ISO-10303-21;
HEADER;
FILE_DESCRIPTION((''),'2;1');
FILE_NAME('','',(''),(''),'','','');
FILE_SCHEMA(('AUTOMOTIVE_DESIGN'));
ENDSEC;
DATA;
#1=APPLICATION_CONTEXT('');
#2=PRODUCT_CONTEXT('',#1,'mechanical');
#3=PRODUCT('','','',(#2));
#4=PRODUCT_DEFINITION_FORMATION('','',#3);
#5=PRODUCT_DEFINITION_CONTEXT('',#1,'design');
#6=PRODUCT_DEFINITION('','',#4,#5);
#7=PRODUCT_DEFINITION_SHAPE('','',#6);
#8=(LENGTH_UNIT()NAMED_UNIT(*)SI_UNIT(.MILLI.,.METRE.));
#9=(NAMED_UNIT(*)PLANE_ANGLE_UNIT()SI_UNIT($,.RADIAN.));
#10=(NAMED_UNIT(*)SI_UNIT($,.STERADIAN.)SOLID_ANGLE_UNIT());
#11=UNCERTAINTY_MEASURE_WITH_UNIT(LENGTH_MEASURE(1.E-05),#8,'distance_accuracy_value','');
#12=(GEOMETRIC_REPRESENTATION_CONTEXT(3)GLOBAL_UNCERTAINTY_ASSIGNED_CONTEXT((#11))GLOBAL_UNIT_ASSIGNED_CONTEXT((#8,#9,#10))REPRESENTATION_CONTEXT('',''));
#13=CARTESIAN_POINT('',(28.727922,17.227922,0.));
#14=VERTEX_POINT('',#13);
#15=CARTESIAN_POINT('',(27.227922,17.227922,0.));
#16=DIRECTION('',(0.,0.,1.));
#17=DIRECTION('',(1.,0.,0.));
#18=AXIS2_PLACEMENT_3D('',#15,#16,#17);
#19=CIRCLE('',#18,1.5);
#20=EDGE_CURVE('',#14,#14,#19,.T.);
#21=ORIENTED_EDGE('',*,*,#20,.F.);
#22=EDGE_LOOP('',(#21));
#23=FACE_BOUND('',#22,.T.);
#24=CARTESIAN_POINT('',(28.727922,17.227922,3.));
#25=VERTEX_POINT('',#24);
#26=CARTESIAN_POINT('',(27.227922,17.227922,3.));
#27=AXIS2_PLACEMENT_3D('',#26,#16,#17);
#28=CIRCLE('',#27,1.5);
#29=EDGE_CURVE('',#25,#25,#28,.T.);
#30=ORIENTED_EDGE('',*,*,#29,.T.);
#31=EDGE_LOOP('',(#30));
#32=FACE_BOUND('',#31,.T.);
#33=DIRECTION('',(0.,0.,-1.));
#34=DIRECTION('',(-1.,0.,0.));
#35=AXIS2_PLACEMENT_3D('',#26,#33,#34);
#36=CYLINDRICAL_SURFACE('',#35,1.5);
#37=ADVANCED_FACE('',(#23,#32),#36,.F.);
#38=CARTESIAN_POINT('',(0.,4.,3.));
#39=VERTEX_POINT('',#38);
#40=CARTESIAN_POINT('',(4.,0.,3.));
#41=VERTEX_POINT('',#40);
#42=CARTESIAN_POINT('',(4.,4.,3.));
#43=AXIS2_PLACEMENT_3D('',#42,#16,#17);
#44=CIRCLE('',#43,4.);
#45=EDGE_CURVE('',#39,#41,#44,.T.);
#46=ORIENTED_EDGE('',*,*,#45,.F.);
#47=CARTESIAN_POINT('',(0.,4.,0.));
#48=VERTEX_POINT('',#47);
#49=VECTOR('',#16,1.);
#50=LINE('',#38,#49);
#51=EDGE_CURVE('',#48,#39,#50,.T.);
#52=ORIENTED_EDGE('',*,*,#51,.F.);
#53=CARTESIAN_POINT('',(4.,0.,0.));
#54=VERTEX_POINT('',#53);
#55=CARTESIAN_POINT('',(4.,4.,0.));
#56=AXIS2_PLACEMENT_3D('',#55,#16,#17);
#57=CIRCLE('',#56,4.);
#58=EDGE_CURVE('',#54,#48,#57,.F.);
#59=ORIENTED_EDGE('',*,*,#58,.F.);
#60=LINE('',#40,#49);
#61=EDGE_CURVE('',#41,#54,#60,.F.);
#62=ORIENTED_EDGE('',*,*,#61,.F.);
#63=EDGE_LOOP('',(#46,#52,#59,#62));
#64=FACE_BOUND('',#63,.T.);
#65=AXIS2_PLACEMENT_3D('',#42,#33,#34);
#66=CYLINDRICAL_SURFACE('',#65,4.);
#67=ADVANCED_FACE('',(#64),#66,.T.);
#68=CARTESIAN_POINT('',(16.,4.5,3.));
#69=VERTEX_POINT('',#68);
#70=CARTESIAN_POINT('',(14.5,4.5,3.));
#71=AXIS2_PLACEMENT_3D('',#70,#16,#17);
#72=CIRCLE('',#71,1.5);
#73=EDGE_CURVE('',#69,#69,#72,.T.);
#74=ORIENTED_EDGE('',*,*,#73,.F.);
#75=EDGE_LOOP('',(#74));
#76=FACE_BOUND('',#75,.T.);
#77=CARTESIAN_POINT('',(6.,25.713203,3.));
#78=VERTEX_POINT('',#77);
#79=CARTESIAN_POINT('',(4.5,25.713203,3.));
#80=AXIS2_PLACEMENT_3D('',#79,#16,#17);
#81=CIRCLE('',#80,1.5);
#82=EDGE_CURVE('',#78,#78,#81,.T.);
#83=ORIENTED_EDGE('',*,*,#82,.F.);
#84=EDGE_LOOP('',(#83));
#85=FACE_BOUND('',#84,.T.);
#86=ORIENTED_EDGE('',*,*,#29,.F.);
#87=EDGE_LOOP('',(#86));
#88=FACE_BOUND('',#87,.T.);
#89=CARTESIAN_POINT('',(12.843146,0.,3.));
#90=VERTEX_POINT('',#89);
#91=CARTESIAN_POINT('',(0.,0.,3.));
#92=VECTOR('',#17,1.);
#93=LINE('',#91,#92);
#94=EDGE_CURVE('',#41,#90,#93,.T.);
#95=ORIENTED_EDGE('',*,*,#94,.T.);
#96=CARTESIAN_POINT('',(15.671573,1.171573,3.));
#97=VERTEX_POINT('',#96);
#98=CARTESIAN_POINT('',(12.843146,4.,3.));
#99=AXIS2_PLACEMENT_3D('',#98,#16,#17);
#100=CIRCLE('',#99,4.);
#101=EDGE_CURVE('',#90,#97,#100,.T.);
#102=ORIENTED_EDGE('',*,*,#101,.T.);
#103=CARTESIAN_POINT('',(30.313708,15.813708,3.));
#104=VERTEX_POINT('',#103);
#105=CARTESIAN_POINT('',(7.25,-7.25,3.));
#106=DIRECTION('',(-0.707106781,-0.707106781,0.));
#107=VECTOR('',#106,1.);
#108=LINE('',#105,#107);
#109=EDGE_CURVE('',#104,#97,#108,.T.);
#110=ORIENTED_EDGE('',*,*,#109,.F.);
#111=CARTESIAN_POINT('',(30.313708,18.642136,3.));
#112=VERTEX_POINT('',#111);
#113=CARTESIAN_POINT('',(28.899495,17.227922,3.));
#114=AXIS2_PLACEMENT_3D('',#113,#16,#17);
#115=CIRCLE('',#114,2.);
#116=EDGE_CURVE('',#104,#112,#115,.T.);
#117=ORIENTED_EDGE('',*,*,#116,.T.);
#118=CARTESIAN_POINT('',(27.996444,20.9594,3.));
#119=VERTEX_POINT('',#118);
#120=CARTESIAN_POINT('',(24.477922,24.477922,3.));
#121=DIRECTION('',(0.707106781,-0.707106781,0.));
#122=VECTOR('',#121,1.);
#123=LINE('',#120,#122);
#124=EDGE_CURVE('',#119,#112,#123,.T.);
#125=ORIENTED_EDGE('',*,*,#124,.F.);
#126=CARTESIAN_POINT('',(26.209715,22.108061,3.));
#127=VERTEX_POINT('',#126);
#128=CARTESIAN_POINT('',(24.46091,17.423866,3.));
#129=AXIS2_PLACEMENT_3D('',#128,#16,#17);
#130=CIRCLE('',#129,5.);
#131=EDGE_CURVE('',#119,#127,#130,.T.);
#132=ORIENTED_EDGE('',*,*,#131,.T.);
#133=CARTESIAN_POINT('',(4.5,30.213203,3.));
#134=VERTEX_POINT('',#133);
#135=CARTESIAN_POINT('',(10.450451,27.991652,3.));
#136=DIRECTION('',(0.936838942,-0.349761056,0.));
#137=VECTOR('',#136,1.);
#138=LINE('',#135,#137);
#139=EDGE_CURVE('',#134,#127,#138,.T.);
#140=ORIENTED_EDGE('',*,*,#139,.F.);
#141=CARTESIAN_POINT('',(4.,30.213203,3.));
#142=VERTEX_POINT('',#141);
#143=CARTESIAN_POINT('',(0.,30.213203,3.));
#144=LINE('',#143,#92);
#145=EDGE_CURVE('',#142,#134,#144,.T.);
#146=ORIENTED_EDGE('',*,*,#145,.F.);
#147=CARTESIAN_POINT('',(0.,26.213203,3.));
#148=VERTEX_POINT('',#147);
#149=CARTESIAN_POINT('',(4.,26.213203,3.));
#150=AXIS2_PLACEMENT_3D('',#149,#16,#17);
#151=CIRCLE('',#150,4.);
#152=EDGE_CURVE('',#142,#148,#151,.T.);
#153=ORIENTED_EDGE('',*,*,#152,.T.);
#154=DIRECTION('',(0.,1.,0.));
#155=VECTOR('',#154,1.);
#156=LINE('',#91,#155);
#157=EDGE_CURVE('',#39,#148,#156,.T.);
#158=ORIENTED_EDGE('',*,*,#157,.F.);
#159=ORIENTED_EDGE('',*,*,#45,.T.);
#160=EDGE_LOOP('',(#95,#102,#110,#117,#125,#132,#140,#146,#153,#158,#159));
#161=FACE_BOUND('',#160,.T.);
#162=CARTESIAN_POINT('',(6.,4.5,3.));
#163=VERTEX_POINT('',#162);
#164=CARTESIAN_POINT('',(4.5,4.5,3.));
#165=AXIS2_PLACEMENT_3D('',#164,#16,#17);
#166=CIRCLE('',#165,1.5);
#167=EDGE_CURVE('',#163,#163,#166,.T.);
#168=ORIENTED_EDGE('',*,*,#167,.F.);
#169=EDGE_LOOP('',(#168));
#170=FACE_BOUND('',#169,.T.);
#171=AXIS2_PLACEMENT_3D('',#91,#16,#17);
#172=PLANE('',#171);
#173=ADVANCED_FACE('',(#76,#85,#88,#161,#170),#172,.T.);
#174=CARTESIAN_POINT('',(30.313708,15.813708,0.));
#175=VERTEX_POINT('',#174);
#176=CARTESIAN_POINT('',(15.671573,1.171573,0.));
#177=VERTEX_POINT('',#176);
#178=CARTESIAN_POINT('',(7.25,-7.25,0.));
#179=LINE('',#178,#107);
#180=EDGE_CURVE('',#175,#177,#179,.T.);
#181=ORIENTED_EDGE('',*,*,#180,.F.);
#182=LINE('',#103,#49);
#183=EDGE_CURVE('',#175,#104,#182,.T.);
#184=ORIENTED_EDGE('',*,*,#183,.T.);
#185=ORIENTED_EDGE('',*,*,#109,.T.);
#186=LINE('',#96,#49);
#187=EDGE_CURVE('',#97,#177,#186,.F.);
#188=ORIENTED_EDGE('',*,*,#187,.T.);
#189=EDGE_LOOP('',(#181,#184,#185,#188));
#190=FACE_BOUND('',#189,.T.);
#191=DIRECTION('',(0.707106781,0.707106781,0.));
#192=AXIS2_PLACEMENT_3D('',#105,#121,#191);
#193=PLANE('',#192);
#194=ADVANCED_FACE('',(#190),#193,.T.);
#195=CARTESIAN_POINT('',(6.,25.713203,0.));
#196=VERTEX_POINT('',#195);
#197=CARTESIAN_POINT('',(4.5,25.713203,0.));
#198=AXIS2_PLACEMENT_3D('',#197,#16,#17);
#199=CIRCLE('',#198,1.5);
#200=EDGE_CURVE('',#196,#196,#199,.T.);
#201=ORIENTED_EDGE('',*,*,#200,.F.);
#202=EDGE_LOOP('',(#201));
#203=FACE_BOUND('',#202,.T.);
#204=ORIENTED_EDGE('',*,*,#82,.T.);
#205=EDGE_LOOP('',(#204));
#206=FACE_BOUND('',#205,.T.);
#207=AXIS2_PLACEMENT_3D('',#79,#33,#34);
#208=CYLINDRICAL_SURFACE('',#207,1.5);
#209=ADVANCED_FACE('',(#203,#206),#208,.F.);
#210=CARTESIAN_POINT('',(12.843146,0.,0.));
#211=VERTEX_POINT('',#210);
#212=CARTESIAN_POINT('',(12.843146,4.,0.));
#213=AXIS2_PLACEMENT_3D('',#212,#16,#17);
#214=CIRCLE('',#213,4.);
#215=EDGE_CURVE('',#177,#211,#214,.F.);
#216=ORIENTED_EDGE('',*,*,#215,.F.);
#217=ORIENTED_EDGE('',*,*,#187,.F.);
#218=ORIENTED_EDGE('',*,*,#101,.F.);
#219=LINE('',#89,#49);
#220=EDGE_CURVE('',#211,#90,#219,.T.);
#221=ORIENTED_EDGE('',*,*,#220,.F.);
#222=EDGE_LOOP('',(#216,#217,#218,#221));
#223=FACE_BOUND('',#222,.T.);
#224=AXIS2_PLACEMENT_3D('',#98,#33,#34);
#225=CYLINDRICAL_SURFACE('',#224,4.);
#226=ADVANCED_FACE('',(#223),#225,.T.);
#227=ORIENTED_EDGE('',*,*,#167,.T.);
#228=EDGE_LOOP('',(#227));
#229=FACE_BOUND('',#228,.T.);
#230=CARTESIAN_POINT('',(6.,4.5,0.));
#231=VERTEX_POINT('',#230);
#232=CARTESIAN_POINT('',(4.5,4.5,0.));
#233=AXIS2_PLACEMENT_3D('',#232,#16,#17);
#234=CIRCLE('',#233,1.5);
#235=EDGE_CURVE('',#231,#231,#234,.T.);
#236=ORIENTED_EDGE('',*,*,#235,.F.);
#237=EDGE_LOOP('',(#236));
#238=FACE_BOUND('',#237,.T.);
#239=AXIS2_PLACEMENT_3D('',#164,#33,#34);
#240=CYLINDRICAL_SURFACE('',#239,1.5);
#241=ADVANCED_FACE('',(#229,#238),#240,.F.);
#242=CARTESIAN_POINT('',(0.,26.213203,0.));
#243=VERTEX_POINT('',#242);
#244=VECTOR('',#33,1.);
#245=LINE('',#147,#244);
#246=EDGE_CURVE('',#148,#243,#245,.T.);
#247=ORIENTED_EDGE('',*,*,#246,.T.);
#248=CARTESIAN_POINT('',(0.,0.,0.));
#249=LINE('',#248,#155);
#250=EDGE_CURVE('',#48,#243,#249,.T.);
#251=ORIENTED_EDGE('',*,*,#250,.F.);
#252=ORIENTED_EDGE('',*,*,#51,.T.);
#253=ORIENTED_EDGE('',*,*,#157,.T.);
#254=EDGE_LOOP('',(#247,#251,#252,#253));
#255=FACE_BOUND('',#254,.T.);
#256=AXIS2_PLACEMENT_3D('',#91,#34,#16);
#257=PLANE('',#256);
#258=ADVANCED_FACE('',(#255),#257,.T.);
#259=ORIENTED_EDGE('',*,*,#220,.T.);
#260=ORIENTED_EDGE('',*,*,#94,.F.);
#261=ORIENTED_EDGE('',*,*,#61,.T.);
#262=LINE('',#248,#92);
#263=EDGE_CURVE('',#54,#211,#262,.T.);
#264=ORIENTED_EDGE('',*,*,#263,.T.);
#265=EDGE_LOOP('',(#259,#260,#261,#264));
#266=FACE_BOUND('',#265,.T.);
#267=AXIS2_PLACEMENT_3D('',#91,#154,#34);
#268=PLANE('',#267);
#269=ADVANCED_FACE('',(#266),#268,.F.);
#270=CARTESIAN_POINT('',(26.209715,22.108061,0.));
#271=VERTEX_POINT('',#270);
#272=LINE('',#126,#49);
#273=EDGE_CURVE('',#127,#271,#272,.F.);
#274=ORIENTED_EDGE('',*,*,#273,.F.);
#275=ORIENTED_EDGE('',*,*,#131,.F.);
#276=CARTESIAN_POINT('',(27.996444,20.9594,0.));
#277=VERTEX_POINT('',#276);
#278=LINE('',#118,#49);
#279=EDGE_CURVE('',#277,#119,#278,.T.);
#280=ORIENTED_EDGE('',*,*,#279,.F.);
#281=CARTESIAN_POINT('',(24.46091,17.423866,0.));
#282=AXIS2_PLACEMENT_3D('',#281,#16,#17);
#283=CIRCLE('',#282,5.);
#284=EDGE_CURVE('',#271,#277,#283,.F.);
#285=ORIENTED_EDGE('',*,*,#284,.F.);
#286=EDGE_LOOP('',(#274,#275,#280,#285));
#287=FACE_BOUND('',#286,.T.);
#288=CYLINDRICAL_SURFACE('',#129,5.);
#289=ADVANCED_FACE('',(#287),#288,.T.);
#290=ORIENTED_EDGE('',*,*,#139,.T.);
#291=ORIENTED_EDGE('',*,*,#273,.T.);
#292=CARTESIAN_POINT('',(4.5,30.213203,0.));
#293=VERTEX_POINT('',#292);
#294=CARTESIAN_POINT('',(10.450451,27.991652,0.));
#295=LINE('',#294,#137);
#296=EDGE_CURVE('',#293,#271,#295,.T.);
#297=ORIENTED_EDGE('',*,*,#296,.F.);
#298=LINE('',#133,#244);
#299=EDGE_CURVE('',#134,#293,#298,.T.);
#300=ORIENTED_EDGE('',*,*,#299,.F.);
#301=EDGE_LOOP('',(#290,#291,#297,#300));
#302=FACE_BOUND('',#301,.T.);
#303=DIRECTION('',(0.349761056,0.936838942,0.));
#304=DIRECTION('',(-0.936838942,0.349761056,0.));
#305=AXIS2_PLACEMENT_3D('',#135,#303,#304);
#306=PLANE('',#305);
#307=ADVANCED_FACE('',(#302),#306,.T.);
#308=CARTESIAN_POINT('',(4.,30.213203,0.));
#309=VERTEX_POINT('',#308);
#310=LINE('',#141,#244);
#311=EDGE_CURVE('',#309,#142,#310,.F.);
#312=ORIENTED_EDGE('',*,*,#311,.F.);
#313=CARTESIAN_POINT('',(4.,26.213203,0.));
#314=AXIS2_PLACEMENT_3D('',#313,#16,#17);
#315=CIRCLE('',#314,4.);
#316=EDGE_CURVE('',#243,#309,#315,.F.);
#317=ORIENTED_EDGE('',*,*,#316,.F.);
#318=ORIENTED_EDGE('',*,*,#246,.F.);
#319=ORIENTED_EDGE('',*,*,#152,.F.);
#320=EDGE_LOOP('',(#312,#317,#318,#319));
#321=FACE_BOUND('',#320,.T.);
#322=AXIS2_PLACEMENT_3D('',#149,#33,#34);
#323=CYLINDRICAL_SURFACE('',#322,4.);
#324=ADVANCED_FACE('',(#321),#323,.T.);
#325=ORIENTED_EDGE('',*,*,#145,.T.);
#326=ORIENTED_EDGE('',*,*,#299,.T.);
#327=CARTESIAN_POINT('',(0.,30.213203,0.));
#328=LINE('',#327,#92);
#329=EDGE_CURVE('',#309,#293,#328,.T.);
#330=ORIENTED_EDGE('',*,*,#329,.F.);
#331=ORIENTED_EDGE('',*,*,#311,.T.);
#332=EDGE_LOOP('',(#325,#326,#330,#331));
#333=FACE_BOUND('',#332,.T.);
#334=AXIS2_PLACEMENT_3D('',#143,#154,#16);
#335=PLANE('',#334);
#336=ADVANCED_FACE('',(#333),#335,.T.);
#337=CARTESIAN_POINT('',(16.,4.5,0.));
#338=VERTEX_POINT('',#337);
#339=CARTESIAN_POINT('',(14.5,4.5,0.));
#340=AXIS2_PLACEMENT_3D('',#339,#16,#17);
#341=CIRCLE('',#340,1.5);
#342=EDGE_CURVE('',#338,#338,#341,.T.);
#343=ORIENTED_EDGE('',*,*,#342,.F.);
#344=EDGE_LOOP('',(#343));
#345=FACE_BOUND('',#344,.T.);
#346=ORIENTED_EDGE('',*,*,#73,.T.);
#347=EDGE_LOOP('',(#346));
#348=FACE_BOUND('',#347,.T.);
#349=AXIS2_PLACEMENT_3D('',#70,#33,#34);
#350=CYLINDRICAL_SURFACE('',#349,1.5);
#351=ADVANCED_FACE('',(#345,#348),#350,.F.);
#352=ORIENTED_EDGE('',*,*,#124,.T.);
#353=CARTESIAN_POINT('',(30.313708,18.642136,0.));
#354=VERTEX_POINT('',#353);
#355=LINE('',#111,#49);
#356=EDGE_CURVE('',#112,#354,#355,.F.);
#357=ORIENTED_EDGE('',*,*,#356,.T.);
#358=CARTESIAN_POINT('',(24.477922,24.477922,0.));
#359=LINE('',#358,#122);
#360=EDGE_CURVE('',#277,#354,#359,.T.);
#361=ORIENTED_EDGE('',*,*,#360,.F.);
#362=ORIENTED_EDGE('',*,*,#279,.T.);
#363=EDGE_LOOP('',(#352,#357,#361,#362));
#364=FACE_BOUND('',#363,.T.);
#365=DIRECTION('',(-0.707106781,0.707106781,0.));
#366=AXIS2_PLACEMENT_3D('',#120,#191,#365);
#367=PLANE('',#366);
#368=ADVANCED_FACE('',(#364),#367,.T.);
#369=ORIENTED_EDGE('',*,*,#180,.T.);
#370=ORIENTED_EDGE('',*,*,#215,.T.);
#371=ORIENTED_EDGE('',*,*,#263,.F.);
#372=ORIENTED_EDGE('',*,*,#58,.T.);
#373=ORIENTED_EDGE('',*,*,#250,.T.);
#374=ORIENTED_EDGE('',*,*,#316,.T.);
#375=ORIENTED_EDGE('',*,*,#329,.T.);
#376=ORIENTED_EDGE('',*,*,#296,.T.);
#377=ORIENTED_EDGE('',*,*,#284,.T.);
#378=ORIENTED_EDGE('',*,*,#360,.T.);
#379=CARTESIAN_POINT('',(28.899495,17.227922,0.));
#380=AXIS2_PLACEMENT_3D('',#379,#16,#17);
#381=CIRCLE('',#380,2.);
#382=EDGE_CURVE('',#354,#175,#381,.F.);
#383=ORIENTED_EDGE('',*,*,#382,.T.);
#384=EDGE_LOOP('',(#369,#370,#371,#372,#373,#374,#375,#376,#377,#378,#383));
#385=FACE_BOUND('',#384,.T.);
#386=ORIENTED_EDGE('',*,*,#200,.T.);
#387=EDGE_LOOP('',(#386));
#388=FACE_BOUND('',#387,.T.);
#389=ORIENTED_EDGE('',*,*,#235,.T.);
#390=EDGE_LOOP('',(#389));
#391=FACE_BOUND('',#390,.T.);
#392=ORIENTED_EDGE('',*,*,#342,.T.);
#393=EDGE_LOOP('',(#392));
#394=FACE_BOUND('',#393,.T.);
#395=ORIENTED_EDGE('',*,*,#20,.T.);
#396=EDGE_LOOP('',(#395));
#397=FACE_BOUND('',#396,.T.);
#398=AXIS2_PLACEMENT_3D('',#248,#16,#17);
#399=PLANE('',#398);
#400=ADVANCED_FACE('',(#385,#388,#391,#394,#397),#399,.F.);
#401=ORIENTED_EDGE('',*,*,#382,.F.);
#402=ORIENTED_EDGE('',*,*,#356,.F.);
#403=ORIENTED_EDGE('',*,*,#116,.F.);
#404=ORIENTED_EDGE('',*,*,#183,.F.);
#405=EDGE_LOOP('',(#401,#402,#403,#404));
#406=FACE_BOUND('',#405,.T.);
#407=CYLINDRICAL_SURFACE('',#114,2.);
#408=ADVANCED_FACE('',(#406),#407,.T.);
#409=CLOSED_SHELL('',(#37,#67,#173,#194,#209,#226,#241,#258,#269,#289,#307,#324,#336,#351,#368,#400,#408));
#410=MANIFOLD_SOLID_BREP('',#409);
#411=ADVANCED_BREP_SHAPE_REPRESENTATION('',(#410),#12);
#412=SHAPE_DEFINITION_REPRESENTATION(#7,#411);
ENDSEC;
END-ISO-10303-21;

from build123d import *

# Parameters (mm, degrees)
SKETCH1_R           = 1.5
BOSS_EXTRUDE1_DEPTH = 3
FILLET1_R           = 2
FILLET3_R           = 5
FILLET5_R           = 4
FILLET6_R           = 4
FILLET7_R           = 4


with BuildPart() as part:
    # Sketch1 → Boss-Extrude1 (new body)
    with BuildSketch(Plane.XY):
        Polygon((0, 0), (14.5, 0), (19, 4.5), (31.727922061, 17.227922061), (27.227922061, 21.727922061), (4.5, 30.213203436), (0, 30.213203436), align=None)
        with Locations((4.5, 25.713203436)):
            Circle(SKETCH1_R, mode=Mode.SUBTRACT)
        with Locations((4.5, 4.5)):
            Circle(SKETCH1_R, mode=Mode.SUBTRACT)
        with Locations((14.5, 4.5)):
            Circle(SKETCH1_R, mode=Mode.SUBTRACT)
        with Locations((27.227922061, 17.227922061)):
            Circle(SKETCH1_R, mode=Mode.SUBTRACT)
    extrude(amount=BOSS_EXTRUDE1_DEPTH)

    # Fillet1
    fillet1_edges = [part.edges().sort_by_distance(p)[0] for p in [
        (31.727922061, 17.227922061, 1.5),
    ]]
    fillet(fillet1_edges, radius=FILLET1_R)

    # Fillet3
    fillet3_edges = [part.edges().sort_by_distance(p)[0] for p in [
        (27.227922061, 21.727922061, 1.5),
    ]]
    fillet(fillet3_edges, radius=FILLET3_R)

    # Fillet5
    fillet5_edges = [part.edges().sort_by_distance(p)[0] for p in [
        (0, 30.213203436, 1.5),
    ]]
    fillet(fillet5_edges, radius=FILLET5_R)

    # Fillet6
    fillet6_edges = [part.edges().sort_by_distance(p)[0] for p in [
        (0, 0, 1.5),
    ]]
    fillet(fillet6_edges, radius=FILLET6_R)

    # Fillet7
    fillet7_edges = [part.edges().sort_by_distance(p)[0] for p in [
        (14.5, 0, 1.5),
    ]]
    fillet(fillet7_edges, radius=FILLET7_R)


solid = part.part
